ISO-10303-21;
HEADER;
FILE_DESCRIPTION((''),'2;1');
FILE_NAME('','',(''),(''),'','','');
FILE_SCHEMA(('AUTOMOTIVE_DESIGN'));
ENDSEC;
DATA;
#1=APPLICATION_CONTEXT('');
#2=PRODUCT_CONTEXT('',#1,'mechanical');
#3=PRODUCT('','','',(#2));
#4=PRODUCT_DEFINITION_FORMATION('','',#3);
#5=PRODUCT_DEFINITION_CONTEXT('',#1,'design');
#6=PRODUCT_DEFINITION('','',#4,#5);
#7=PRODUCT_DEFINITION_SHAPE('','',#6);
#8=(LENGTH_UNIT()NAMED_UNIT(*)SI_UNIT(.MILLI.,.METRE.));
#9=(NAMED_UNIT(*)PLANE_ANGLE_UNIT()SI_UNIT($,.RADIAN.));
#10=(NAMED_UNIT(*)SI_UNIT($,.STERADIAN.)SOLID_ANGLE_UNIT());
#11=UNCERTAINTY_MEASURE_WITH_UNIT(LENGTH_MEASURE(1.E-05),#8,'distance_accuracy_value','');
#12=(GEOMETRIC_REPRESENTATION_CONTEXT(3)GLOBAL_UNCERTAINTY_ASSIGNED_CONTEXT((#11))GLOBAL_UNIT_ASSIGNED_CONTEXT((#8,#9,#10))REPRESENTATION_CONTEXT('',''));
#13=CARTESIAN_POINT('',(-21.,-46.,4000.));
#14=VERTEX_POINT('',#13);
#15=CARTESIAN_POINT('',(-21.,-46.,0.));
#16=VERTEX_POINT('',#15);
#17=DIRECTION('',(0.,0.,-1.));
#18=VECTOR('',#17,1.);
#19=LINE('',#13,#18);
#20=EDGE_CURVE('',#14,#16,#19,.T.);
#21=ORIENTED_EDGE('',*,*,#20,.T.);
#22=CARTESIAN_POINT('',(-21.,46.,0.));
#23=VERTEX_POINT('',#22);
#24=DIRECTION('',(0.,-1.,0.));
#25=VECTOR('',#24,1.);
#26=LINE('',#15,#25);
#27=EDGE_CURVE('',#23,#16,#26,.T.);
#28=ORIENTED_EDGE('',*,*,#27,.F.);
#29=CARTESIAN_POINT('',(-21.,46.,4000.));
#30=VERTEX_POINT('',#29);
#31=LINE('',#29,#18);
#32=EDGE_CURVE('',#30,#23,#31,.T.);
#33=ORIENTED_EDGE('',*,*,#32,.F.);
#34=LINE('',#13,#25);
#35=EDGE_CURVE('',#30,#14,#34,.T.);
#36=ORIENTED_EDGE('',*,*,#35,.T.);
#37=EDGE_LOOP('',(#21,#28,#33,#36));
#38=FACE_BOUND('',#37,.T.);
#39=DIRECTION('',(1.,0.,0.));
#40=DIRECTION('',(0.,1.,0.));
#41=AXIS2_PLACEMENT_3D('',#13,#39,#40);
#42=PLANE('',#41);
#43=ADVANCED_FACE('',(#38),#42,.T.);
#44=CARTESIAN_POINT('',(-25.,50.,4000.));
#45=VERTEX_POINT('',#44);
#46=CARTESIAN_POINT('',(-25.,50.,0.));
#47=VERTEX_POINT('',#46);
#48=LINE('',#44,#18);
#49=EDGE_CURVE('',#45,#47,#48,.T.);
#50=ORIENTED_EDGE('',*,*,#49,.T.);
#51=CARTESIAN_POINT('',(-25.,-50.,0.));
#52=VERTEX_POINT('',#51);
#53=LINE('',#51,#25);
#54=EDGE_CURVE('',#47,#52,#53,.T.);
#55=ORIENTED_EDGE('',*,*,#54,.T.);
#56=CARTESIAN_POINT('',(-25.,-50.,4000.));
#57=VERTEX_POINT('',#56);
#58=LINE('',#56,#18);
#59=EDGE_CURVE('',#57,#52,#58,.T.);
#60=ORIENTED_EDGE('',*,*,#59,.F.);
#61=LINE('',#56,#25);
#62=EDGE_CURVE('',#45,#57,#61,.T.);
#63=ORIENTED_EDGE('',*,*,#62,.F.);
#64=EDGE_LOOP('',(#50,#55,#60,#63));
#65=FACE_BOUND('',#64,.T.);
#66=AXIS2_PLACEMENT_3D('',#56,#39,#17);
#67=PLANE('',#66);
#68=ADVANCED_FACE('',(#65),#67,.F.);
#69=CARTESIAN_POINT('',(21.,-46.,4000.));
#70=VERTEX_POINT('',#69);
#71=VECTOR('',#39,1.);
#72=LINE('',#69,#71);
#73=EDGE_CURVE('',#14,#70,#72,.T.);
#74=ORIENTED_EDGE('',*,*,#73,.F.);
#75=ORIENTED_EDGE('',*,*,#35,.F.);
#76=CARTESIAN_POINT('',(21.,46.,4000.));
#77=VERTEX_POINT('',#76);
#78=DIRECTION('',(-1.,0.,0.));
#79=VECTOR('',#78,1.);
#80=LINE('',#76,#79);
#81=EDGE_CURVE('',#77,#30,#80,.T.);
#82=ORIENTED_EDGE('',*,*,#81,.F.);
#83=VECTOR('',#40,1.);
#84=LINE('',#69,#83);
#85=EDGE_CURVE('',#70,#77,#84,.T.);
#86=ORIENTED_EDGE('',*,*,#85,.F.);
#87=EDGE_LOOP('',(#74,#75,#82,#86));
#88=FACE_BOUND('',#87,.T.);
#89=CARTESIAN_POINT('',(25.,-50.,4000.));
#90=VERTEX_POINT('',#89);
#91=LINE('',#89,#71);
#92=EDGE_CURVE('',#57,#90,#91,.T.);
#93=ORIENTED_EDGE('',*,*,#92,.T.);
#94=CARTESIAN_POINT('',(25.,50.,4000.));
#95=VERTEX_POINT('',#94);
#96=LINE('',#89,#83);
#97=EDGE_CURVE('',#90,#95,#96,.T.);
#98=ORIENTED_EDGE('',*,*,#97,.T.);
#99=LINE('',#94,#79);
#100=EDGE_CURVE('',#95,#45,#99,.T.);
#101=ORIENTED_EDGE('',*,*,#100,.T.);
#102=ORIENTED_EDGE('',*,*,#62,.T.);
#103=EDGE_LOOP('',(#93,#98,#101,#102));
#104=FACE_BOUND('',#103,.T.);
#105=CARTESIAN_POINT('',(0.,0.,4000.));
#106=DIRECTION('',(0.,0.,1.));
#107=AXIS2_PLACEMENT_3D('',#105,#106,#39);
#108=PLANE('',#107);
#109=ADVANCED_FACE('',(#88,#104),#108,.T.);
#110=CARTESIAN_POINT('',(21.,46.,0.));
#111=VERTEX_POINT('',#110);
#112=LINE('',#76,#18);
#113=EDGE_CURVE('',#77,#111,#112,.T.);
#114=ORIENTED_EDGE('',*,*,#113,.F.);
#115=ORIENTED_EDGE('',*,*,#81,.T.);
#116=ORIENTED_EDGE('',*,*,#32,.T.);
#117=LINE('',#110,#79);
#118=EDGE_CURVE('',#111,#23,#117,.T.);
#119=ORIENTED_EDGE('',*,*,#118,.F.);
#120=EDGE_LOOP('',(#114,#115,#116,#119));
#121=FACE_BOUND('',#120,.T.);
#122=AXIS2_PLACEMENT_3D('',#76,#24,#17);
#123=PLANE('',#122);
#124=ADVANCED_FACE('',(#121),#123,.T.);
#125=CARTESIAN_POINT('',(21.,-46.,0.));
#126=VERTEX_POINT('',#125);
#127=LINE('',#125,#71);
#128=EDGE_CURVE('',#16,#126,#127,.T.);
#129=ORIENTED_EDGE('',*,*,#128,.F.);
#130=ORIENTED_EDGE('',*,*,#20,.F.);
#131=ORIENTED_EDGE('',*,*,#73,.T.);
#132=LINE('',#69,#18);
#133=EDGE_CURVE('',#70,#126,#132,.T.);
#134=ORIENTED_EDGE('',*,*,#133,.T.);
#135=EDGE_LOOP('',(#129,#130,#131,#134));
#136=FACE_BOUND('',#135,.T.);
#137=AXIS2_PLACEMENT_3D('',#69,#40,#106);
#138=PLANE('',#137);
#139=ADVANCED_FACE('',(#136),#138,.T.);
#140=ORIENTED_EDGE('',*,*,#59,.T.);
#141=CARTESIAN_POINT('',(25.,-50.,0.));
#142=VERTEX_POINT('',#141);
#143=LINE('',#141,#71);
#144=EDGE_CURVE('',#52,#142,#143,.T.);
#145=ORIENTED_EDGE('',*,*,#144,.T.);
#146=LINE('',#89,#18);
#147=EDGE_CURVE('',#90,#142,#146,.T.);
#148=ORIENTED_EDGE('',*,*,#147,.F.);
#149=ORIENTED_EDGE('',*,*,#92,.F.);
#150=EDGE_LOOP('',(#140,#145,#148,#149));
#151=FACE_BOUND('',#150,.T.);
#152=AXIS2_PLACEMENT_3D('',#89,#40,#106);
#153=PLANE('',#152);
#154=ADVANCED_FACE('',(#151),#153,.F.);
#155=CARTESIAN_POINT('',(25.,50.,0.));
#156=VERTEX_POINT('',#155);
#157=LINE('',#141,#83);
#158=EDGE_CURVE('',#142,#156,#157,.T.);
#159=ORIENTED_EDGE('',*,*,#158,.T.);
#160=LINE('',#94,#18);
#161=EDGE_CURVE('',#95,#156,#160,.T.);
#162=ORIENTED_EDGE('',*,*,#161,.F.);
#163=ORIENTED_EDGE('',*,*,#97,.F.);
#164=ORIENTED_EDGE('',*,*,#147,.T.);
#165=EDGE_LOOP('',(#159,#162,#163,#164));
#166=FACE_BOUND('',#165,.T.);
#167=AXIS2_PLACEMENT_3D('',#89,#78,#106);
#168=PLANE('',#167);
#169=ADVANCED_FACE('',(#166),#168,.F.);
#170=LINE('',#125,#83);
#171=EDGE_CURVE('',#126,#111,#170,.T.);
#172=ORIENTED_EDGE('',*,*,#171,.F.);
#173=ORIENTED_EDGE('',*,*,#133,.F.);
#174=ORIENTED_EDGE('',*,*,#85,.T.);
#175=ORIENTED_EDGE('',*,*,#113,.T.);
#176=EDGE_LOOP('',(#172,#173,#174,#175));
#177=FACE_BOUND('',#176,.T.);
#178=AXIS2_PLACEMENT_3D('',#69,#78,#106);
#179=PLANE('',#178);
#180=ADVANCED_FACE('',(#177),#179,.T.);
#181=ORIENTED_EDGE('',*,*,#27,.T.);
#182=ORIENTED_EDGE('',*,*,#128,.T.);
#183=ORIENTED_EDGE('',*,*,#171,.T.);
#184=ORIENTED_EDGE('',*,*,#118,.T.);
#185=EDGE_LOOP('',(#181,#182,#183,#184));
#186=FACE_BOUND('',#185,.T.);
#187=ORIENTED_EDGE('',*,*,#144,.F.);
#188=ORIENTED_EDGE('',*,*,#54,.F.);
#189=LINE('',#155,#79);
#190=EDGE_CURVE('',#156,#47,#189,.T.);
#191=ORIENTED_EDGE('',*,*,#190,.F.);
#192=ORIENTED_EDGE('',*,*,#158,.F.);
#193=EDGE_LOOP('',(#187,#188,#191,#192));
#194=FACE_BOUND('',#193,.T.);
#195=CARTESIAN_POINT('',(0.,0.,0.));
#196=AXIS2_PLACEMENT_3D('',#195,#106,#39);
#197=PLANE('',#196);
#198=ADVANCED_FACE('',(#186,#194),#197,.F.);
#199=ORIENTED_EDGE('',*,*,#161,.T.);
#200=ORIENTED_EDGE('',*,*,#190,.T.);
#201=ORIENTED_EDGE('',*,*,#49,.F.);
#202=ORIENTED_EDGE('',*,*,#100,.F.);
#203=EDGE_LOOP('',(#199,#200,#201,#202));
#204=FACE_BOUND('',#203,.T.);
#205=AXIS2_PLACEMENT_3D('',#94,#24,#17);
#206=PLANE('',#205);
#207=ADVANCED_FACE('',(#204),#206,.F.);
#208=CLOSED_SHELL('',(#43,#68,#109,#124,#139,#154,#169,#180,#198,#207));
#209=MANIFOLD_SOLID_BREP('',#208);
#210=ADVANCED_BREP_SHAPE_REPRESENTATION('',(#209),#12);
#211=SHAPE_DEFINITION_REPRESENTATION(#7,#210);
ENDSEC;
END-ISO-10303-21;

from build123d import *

# Parameters (mm, degrees)
CROQUIS1_W              = 50
CROQUIS1_H              = 100
CROQUIS1_W_2            = 42
CROQUIS1_H_2            = 92
SALIENTE_EXTRUIR1_DEPTH = 4000


with BuildPart() as part:
    # Croquis1 → Saliente-Extruir1 (new body)
    with BuildSketch(Plane.XY):
        Rectangle(CROQUIS1_W, CROQUIS1_H)
        Rectangle(CROQUIS1_W_2, CROQUIS1_H_2, mode=Mode.SUBTRACT)
    extrude(amount=SALIENTE_EXTRUIR1_DEPTH)


solid = part.part
